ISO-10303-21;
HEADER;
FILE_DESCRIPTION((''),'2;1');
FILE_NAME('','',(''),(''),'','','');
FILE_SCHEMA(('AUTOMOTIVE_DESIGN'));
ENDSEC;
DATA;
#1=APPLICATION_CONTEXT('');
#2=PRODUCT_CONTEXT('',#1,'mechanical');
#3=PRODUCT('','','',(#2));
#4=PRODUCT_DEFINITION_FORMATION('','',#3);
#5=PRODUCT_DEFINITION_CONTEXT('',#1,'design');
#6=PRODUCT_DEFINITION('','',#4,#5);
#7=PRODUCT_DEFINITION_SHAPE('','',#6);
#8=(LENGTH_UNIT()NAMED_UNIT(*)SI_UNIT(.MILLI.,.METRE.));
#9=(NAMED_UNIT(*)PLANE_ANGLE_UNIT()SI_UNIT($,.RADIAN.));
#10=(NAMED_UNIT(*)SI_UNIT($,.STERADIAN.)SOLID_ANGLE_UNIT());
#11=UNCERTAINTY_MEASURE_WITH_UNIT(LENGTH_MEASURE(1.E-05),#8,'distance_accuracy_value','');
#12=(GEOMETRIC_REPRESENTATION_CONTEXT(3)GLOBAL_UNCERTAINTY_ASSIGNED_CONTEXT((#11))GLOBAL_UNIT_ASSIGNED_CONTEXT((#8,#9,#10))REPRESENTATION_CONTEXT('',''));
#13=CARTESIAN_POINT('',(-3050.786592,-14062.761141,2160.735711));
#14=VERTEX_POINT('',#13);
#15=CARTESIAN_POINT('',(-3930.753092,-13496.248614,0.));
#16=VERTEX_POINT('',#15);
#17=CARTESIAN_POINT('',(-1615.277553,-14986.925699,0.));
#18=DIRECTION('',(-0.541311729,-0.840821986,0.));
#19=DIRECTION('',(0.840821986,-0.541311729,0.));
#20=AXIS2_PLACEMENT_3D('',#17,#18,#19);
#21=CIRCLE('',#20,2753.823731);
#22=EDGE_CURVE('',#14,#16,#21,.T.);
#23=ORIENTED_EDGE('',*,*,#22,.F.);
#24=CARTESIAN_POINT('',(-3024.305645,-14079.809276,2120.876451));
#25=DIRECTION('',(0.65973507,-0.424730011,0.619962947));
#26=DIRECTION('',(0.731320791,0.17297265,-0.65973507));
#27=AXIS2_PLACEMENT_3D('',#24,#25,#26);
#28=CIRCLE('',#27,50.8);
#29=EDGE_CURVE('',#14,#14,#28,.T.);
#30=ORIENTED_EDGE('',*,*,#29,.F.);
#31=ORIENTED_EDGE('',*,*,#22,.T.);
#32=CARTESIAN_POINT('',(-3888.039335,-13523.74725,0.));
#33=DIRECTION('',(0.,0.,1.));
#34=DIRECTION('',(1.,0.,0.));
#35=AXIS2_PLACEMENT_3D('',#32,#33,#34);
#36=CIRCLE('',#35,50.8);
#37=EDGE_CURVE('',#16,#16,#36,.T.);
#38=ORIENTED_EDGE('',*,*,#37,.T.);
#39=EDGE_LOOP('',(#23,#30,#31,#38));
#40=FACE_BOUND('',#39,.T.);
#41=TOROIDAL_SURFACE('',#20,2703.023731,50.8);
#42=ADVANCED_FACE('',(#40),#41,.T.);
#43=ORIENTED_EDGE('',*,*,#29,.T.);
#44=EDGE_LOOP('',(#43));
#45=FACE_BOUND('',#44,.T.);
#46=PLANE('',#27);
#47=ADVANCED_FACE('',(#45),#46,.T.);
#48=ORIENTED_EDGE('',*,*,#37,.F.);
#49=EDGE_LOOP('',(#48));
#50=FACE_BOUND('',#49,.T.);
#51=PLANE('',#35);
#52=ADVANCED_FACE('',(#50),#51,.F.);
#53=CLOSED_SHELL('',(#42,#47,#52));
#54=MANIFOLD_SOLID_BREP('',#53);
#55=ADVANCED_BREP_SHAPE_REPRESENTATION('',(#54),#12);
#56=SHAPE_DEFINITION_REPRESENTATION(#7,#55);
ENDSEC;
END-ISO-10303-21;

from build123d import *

# Parameters (mm, degrees)
SKETCH1_R = 50.8


with BuildPart() as part:
    # Sweep1: sweep along a path in Sketch2
    with BuildLine(Plane(origin=(-7294.557341161, -11330.669308117, 0), x_dir=(-0.4625960949452944, 0.2978141580708109, 0.8350518428181202), z_dir=(0.5413117287675313, 0.8408219860937907, -3.5249581031848716e-15))) as sweep1_path:
        ThreePointArc((-2228.97158783, 3383.140766466), (-1393.77613514, 4257.135283609), (-1023.092774961, 5407.792359664))
    # Sketch1 → Sweep1 (sweep)
    with BuildSketch(Plane.XY):
        with Locations((-3888.039335171, -13523.747250176)):
            Circle(SKETCH1_R)
    sweep(path=sweep1_path.line)


solid = part.part
